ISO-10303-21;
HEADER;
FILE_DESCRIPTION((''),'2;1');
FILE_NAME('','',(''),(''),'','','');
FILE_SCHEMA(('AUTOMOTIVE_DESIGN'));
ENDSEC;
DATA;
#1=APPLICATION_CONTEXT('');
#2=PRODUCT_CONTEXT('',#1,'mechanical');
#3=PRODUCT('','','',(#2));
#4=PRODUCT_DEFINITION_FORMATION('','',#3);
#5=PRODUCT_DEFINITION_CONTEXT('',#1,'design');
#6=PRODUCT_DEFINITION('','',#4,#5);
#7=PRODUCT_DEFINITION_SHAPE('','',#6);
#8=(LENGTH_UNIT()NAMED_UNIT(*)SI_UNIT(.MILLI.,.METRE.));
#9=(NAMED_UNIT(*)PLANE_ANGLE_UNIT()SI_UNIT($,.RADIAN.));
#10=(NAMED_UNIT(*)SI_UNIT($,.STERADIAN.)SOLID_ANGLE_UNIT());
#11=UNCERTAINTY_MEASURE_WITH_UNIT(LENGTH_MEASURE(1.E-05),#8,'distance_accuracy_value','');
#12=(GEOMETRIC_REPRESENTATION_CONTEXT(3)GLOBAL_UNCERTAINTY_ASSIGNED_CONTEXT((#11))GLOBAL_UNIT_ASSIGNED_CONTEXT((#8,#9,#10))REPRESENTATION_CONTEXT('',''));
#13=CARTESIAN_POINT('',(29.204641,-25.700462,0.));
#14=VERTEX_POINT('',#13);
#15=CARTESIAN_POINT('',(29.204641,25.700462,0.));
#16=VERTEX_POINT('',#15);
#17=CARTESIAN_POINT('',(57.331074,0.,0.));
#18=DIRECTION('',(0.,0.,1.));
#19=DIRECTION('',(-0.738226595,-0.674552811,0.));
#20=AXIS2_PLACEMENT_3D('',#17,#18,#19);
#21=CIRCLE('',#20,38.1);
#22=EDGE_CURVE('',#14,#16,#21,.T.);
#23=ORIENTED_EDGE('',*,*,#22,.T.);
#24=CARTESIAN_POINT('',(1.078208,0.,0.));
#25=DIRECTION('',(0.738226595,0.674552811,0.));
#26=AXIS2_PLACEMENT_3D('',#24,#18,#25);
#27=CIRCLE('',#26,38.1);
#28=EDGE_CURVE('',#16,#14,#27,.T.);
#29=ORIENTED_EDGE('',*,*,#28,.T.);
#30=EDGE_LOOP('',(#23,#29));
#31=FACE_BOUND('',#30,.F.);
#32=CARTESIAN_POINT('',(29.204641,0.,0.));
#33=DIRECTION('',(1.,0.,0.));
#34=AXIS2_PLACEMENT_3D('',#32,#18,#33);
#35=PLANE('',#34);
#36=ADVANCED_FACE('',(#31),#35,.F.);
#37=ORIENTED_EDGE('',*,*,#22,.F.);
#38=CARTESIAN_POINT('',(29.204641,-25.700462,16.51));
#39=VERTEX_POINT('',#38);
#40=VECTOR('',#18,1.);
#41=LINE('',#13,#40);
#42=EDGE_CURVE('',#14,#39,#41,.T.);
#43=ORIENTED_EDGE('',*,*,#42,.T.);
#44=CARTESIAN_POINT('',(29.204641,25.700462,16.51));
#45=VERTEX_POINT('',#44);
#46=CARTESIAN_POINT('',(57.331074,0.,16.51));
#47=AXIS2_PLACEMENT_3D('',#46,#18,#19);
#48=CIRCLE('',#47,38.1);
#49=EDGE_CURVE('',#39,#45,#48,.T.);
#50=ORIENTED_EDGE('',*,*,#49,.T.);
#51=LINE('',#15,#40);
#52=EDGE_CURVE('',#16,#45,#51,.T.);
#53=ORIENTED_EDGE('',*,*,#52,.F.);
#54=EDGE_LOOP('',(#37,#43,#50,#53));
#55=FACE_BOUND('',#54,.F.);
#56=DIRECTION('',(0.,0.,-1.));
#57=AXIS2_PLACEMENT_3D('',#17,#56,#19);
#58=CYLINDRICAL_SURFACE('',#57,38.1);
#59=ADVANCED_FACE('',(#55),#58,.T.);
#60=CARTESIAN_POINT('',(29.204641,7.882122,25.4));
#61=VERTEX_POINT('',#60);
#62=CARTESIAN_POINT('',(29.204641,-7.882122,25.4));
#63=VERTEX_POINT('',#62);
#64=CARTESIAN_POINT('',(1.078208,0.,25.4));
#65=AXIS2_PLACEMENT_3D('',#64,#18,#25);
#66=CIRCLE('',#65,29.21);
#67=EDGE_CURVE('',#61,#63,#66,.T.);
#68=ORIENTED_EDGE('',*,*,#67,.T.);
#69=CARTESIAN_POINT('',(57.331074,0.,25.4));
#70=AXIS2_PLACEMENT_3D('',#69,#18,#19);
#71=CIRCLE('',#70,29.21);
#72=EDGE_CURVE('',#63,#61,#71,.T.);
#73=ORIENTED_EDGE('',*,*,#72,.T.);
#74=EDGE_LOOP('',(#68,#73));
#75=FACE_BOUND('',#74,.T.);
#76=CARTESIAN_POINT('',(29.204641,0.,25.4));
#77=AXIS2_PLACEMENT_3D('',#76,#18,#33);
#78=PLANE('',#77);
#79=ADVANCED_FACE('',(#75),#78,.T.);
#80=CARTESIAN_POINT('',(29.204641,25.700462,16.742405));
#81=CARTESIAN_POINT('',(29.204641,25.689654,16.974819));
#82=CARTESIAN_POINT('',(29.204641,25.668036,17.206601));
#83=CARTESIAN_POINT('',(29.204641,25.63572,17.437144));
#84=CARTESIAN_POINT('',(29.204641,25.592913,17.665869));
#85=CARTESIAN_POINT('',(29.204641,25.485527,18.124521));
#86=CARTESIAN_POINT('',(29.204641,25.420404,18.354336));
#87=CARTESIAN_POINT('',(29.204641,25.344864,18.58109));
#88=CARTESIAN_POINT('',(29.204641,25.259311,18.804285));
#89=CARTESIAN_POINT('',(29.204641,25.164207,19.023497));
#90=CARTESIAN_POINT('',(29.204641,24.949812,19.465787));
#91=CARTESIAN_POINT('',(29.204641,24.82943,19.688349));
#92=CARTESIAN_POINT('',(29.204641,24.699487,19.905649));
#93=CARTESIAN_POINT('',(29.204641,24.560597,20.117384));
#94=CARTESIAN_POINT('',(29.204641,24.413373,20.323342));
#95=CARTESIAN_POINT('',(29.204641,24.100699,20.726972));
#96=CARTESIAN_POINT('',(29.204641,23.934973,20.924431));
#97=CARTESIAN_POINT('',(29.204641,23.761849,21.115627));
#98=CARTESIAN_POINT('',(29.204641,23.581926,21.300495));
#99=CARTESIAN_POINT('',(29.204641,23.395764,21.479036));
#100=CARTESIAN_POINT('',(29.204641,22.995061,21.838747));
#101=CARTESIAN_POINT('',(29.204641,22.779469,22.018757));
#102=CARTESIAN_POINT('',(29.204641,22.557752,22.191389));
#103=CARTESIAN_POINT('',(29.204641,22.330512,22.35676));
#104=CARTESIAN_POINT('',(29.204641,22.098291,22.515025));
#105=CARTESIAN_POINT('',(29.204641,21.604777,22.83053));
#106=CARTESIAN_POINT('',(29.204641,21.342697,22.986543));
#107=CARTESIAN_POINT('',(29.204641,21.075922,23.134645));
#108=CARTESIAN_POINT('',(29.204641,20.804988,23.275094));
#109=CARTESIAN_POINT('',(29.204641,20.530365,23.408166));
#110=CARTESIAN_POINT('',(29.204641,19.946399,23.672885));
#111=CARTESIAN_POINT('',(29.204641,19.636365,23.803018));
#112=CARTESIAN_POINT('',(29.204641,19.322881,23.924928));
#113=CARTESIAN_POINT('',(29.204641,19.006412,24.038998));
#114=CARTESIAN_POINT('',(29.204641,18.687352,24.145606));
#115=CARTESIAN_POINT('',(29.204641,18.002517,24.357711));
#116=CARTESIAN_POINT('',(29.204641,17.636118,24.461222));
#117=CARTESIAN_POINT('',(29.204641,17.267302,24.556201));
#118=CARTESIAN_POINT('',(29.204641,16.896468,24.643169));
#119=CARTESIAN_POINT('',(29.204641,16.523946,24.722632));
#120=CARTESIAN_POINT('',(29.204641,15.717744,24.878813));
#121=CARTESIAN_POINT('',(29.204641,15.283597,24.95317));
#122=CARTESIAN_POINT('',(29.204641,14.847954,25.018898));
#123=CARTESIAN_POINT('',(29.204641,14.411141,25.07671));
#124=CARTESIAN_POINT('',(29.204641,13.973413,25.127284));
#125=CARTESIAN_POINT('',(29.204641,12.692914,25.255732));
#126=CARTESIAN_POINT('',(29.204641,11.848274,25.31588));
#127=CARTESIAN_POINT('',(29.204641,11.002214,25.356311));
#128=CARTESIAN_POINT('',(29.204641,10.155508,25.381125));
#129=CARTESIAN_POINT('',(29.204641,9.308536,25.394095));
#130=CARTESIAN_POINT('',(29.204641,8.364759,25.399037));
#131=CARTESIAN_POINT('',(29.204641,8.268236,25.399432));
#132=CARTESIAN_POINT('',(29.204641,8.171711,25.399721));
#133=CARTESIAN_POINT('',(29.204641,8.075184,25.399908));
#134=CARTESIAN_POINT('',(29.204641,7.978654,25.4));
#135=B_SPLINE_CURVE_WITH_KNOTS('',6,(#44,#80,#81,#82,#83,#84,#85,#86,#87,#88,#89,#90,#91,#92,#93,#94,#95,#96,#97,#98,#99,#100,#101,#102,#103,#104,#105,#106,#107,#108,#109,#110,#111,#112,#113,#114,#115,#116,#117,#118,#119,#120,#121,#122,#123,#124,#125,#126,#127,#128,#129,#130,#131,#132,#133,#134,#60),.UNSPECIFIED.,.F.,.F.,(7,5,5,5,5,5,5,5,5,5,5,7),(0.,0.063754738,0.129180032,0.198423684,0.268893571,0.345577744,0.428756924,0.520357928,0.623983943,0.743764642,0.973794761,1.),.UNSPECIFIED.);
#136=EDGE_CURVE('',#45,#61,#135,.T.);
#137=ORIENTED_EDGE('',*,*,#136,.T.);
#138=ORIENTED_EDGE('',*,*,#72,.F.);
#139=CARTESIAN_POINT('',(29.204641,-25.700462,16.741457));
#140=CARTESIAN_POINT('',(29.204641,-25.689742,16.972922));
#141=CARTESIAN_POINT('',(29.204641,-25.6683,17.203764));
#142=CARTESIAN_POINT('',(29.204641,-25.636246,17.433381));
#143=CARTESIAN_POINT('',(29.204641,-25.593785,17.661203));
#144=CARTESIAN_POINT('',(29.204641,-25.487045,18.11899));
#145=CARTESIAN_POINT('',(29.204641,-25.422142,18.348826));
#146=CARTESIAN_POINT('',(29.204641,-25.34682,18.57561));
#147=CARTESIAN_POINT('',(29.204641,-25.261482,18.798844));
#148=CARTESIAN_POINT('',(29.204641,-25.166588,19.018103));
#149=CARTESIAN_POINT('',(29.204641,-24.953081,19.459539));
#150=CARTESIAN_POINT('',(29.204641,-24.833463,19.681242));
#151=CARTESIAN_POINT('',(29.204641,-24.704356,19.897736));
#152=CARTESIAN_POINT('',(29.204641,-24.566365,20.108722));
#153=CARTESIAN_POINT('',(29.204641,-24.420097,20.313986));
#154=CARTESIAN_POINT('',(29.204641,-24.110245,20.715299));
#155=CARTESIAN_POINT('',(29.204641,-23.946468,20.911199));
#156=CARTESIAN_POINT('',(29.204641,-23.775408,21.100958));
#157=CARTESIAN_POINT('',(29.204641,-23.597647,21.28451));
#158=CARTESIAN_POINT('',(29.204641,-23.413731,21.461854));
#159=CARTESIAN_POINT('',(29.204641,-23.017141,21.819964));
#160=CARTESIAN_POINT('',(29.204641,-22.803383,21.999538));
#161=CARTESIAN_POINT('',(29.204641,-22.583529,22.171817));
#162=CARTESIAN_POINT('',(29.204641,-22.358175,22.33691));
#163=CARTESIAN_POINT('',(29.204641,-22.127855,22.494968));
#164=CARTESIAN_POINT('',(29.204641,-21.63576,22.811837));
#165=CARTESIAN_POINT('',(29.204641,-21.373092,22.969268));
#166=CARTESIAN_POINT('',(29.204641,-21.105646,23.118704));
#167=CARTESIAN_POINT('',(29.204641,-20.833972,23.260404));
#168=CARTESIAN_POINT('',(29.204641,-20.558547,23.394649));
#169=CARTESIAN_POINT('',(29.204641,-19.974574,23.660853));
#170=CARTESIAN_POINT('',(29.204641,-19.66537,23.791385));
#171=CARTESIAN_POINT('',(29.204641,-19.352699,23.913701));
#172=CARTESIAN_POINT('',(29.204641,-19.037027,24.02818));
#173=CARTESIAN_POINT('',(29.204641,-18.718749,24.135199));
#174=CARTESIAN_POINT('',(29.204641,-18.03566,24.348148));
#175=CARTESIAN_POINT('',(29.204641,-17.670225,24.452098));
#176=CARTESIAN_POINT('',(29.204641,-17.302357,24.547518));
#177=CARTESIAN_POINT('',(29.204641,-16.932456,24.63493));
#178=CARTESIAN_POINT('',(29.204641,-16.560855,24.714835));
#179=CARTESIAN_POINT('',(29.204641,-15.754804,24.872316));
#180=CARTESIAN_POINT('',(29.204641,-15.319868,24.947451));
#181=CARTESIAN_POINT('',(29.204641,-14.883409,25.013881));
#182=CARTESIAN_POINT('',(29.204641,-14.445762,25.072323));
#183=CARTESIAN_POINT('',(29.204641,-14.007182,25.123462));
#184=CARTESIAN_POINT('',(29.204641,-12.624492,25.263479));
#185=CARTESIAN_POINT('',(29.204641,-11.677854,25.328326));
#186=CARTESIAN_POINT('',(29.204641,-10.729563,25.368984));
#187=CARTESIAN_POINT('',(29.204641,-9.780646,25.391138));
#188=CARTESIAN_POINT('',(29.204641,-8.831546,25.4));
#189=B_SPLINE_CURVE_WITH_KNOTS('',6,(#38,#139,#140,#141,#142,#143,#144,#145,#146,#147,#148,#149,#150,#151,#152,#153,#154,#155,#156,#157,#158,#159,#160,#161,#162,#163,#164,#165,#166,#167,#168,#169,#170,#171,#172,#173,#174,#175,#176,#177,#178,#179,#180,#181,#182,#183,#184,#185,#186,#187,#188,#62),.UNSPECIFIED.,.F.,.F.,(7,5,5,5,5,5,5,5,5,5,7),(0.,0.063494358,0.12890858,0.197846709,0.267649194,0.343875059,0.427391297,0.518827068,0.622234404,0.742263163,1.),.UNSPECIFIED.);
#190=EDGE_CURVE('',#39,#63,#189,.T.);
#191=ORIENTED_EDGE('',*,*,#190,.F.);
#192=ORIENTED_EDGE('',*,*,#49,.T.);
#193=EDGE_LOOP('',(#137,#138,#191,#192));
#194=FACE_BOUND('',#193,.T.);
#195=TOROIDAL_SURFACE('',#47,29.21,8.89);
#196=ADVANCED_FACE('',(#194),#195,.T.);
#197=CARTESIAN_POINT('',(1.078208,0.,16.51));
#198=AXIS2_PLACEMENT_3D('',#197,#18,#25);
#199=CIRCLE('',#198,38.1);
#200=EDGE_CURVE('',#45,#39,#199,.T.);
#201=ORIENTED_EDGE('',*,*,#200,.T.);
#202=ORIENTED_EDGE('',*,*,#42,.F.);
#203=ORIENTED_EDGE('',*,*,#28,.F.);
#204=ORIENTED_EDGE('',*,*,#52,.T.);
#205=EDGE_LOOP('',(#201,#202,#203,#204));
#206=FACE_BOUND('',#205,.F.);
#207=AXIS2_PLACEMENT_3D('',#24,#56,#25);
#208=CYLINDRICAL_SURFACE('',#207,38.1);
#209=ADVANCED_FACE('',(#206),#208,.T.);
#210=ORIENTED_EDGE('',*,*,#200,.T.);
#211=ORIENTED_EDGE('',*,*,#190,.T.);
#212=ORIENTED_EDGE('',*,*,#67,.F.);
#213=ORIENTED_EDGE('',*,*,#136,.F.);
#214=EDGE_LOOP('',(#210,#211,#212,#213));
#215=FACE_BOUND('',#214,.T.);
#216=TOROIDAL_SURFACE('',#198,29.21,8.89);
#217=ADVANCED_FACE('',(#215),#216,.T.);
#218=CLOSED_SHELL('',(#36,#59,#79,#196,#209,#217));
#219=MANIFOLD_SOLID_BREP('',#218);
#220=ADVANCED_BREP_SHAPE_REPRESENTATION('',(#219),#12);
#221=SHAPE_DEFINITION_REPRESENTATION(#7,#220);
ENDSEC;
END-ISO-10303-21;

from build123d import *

# Parameters (mm, degrees)
F1_DEPTH = 25.4
F2_R     = 8.89


with BuildPart() as f1:
    # F0 (on Top) → F1 (new body)
    with BuildSketch(Plane.XY):
        with BuildLine():
            ThreePointArc((29.204641, 25.700462), (-37.021792, 0), (29.204641, -25.700462))
            ThreePointArc((29.204641, -25.700462), (95.431074, 0), (29.204641, 25.700462))
        make_face()
    extrude(amount=F1_DEPTH)

    # F2
    f2_edges = [f1.edges().sort_by_distance(p)[0] for p in [
        (95.431074, 0, 25.4),
        (-37.021792, 0, 25.4),
    ]]
    fillet(f2_edges, radius=F2_R)


solid = f1.part
